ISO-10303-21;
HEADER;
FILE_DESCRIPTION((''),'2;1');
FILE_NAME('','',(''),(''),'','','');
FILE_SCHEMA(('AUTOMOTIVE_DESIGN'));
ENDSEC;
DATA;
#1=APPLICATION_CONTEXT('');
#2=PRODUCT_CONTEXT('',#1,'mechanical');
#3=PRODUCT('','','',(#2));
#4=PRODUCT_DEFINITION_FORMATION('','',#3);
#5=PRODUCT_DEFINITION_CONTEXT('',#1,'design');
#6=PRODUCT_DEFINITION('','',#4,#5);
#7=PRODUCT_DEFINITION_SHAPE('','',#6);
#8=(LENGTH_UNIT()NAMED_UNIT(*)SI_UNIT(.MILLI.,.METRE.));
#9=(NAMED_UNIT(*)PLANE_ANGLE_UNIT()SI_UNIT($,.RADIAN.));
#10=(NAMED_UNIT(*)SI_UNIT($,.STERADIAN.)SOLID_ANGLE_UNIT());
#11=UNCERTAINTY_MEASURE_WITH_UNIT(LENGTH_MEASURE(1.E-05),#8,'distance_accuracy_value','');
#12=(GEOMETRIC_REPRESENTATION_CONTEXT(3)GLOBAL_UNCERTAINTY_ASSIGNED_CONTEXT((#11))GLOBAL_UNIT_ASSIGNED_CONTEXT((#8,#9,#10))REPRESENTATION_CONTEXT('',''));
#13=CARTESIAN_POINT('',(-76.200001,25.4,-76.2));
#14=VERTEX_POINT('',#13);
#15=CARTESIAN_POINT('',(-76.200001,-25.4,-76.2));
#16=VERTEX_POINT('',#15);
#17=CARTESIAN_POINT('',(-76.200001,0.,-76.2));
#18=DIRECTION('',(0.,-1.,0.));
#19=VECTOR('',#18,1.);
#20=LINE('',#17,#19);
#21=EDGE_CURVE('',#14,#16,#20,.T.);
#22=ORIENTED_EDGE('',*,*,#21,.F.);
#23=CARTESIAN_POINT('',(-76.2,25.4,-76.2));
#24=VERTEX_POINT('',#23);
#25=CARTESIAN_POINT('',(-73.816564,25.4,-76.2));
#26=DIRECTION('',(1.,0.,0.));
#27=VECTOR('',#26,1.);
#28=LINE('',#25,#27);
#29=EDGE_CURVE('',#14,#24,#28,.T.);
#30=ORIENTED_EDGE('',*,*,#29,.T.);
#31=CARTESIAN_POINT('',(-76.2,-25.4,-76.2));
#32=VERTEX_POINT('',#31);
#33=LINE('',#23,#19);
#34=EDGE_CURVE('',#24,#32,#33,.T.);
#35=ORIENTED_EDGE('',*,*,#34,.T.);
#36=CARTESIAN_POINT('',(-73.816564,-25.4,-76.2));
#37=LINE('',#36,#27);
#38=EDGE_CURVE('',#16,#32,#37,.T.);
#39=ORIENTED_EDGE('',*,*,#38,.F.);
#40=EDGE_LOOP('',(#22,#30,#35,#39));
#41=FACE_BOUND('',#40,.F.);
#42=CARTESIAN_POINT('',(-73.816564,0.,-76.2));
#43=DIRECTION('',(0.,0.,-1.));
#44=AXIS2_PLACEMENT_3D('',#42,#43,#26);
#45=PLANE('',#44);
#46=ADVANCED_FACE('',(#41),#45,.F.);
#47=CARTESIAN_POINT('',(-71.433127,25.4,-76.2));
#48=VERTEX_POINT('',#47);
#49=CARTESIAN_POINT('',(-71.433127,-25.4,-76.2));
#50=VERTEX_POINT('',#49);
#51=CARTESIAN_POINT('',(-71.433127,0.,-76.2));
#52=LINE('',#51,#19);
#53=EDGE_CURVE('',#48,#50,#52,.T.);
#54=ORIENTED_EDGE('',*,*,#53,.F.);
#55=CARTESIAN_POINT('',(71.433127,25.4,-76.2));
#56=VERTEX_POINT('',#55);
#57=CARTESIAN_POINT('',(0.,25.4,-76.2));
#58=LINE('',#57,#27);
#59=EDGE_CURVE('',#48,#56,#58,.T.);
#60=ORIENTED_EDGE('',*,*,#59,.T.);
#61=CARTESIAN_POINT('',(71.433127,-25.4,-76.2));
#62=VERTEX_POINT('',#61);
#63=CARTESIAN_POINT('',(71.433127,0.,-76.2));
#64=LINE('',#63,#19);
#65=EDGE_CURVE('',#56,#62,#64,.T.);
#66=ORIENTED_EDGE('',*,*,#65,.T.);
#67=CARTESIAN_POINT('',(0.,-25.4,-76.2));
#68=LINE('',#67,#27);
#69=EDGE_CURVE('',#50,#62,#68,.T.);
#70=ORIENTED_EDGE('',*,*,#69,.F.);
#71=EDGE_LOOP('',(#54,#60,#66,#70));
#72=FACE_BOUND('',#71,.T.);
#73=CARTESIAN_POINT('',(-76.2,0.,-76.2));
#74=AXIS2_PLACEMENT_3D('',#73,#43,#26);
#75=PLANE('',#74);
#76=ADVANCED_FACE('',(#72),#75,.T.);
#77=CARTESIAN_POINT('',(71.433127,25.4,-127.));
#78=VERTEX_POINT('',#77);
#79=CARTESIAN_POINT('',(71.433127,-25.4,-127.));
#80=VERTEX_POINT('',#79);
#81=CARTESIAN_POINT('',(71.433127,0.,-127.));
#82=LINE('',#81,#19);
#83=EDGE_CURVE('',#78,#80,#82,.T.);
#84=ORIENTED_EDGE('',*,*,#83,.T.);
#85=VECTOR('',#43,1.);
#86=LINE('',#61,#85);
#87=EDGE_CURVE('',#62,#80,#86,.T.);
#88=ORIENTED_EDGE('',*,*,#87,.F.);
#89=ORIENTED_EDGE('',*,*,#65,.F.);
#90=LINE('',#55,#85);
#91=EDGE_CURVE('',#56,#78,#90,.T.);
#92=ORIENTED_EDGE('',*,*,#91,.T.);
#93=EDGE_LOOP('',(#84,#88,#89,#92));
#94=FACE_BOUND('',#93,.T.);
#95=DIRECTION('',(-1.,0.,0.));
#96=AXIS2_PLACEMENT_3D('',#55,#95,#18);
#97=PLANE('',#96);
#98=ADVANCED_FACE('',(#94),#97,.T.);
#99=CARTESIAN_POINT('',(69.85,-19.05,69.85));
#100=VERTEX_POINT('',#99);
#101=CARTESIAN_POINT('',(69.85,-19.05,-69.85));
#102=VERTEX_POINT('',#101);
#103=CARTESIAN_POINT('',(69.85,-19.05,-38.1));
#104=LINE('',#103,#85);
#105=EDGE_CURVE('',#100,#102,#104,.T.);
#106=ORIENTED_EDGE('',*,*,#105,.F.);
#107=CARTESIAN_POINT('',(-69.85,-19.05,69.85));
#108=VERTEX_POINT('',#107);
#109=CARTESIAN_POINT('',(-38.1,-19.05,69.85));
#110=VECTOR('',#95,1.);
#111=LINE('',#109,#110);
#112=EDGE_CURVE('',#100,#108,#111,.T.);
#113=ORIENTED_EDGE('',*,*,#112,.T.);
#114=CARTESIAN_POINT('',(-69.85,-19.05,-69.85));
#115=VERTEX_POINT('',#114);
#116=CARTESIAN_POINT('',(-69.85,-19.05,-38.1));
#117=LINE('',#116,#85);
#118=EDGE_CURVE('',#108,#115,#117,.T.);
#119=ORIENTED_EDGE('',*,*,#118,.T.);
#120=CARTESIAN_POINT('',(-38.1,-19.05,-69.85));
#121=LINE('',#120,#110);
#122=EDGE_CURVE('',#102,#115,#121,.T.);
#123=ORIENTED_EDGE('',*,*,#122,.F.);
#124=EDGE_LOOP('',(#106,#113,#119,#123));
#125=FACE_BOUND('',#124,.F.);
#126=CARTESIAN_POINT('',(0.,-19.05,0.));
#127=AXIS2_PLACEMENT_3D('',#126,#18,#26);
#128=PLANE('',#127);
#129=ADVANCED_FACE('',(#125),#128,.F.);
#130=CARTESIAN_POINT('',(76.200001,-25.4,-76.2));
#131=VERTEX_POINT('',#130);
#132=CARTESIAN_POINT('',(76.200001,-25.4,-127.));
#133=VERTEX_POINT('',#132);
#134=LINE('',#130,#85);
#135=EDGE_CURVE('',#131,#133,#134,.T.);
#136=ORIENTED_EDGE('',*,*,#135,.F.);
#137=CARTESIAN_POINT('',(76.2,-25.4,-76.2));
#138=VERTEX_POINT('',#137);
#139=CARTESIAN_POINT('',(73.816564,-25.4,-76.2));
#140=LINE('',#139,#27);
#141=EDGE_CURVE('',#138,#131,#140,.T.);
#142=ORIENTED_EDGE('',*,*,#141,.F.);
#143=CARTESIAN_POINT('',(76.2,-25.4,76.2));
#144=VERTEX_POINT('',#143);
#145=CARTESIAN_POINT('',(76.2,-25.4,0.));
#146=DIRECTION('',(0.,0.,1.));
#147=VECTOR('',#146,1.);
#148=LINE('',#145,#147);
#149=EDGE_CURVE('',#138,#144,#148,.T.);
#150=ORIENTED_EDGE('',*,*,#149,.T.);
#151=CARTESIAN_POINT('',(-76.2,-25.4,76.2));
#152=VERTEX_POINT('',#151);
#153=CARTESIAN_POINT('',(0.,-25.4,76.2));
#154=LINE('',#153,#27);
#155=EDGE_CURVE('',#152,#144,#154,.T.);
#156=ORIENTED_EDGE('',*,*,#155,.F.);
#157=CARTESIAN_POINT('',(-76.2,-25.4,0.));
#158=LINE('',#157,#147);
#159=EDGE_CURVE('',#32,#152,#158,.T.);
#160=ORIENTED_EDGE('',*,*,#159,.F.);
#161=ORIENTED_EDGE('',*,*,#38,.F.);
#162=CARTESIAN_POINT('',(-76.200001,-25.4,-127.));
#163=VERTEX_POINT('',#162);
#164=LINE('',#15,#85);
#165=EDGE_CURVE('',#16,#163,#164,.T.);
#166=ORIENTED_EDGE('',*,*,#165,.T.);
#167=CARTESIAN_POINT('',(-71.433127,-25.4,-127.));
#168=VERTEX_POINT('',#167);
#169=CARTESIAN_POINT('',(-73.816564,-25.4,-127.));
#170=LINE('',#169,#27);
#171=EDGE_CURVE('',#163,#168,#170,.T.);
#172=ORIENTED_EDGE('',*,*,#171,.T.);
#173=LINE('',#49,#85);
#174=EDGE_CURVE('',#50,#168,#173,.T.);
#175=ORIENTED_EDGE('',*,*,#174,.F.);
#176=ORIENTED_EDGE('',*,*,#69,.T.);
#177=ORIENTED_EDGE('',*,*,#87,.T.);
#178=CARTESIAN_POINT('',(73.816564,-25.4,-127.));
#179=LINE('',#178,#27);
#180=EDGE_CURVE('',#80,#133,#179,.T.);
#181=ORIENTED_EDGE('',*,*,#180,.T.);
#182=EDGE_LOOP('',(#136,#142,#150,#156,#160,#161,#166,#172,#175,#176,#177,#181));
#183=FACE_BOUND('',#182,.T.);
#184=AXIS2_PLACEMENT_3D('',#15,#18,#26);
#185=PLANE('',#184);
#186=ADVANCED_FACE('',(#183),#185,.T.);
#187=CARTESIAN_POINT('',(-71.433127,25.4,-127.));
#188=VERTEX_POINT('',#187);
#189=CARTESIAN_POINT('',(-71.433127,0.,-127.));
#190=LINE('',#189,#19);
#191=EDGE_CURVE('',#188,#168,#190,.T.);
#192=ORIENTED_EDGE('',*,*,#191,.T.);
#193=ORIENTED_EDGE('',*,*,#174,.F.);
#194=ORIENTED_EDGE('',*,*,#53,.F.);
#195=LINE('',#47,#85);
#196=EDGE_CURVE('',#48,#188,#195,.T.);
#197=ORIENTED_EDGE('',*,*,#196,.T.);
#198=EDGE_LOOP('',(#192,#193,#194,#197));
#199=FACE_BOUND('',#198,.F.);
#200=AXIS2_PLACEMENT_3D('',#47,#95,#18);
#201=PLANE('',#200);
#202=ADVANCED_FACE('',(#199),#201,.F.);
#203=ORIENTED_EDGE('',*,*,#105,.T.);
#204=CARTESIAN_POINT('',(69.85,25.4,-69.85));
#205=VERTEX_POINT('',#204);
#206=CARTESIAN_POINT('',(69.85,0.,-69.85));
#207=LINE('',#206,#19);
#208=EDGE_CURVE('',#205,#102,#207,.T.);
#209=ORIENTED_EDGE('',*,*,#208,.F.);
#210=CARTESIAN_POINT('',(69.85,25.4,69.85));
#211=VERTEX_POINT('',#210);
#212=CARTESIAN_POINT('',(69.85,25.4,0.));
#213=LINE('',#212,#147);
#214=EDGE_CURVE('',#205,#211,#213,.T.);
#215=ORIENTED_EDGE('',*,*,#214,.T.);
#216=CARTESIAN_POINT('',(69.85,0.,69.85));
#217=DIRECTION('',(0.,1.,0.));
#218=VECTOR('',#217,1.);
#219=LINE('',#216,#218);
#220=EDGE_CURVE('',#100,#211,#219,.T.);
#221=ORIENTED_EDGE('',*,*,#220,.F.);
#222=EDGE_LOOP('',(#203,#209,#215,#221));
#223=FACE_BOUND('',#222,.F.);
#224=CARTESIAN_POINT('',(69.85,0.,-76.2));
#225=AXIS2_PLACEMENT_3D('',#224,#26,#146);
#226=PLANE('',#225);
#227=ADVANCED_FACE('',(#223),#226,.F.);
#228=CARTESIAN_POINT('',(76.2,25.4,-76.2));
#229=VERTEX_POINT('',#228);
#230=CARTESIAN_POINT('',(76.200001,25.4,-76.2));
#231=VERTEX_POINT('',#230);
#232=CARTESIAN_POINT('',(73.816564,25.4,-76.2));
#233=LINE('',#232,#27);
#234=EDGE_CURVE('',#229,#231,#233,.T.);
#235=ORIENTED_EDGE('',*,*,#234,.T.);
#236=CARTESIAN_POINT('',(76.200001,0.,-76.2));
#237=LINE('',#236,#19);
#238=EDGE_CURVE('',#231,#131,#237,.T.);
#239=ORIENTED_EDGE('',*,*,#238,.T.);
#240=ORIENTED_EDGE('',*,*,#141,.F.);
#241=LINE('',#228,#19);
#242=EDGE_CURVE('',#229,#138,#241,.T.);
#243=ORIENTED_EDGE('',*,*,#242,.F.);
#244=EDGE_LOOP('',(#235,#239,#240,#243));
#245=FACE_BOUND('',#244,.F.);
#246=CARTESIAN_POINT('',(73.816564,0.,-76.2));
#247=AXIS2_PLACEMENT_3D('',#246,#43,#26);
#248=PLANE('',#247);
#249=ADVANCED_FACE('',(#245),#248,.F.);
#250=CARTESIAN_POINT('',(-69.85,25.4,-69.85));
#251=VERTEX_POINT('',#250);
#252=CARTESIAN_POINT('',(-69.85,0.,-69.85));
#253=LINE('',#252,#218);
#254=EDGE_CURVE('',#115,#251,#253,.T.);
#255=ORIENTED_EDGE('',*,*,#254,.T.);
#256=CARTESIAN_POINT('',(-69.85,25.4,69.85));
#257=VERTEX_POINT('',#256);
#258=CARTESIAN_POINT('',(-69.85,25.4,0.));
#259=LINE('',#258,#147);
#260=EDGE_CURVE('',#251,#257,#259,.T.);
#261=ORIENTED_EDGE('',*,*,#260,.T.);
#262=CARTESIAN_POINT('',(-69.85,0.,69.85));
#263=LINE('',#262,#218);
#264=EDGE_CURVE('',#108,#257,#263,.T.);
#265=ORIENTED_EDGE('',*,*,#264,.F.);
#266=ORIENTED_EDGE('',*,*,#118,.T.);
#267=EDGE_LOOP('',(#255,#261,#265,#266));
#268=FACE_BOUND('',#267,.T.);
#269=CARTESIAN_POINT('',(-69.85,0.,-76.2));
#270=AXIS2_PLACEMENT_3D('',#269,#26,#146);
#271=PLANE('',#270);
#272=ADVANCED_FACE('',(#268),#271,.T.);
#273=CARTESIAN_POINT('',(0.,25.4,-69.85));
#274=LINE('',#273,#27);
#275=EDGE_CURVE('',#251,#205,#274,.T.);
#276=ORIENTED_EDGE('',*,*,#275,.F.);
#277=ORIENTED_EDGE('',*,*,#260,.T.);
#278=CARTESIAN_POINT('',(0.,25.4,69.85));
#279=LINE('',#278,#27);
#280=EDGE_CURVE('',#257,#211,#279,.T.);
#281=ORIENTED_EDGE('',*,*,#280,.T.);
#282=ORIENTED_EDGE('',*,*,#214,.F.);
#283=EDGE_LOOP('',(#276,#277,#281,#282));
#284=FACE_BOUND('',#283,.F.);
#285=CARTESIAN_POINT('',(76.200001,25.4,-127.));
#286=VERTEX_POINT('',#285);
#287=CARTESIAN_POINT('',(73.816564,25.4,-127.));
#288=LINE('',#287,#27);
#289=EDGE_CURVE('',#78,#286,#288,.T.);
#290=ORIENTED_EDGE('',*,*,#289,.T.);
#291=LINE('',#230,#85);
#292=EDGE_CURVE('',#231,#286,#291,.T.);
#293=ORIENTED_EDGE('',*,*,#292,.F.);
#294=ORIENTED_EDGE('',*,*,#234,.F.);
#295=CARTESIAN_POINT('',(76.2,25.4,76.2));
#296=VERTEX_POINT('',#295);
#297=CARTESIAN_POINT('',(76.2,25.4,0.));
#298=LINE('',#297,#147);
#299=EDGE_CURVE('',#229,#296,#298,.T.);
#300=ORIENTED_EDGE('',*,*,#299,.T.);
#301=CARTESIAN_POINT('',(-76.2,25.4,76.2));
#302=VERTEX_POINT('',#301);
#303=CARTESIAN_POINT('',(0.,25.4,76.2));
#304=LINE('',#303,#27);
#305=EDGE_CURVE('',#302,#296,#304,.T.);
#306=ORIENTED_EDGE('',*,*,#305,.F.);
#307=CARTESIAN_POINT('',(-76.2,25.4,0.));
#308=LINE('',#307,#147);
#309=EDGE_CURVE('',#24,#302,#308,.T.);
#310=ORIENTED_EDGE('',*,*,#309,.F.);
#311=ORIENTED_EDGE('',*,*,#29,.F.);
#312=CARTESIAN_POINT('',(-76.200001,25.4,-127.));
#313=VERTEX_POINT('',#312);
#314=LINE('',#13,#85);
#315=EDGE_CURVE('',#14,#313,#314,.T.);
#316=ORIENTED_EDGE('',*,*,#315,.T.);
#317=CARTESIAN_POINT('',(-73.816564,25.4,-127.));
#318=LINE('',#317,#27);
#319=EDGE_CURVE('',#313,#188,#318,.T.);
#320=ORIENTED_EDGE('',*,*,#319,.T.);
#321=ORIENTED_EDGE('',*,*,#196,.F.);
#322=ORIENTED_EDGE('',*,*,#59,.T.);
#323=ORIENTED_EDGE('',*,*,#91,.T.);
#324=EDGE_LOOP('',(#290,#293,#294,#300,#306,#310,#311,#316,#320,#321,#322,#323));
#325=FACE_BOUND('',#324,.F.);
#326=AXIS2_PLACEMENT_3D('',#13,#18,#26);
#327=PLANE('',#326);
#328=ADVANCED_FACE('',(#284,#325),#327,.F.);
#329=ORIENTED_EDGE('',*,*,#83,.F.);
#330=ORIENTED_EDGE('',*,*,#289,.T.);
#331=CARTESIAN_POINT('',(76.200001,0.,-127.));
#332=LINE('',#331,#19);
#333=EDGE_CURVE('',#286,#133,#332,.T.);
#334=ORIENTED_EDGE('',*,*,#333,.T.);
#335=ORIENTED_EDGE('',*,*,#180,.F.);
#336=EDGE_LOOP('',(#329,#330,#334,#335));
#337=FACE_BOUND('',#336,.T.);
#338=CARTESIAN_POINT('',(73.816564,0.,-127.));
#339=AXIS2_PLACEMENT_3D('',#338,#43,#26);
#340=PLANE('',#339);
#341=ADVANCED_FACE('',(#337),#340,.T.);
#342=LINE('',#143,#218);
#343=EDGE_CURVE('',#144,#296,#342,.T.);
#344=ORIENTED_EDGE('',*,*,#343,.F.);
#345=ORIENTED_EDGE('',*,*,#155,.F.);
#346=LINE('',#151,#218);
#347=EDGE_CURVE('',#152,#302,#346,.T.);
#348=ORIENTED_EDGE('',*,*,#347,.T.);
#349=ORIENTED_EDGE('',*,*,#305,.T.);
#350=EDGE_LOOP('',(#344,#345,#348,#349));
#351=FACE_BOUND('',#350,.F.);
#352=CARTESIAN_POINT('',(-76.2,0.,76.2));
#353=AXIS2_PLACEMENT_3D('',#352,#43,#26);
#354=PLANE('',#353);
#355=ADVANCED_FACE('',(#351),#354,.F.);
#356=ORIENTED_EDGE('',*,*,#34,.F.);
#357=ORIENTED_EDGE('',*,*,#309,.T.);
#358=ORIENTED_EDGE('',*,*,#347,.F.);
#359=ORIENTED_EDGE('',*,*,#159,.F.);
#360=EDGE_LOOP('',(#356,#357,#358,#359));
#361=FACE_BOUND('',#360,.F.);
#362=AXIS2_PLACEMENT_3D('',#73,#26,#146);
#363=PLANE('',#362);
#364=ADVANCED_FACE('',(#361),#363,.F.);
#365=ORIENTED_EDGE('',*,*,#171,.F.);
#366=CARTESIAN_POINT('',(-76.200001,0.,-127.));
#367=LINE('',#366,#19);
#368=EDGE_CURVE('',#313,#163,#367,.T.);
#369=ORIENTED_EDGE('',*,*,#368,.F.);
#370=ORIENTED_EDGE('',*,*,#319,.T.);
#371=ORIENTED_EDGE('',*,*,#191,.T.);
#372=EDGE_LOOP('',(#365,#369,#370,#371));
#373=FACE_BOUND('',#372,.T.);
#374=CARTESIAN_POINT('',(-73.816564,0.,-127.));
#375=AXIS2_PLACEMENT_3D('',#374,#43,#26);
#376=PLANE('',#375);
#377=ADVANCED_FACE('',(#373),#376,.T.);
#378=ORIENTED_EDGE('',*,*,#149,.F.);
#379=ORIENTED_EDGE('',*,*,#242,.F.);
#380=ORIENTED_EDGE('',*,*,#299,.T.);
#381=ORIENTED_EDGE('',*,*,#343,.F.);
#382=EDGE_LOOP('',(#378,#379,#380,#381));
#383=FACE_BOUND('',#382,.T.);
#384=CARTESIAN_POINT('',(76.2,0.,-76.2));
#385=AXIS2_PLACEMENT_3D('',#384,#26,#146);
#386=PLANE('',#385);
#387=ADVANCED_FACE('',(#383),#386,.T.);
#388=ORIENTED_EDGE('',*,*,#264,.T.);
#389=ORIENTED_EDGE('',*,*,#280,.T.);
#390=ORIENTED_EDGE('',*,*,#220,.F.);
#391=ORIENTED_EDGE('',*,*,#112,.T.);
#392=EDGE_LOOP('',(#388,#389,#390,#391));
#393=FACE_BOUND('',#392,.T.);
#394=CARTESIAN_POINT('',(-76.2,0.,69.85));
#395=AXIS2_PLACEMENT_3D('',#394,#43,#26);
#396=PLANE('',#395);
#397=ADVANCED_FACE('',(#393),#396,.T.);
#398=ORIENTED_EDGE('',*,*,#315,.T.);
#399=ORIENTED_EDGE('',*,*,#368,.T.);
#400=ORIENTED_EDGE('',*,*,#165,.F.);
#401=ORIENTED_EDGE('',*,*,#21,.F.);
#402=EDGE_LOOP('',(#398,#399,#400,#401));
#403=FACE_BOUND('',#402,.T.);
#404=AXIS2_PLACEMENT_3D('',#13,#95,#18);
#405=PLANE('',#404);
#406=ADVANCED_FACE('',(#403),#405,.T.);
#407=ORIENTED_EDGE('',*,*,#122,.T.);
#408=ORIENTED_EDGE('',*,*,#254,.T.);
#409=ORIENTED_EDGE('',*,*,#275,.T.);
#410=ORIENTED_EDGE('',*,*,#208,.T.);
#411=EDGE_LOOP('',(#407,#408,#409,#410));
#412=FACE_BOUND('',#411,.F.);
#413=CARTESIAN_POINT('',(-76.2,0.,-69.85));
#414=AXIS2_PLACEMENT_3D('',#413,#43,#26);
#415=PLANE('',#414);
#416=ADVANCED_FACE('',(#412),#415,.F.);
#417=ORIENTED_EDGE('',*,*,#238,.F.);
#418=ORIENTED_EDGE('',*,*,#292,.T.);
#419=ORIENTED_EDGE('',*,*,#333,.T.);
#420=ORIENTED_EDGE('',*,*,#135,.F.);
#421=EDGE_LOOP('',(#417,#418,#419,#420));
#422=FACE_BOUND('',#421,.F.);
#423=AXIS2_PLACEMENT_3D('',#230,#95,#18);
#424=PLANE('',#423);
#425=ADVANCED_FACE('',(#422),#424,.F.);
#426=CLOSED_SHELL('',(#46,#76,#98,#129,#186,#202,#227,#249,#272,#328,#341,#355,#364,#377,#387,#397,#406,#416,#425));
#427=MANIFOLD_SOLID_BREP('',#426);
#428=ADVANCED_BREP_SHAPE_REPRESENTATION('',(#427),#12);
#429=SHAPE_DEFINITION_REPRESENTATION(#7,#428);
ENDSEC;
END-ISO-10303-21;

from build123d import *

# Parameters (mm, degrees)
F0_W     = 152.4
F0_H     = 152.4
F1_DEPTH = 25.4
F2_T     = -6.35
F3_W     = 4.766873
F3_H     = 50.8
F4_DEPTH = 50.8


with BuildPart() as f1:
    # F0 (on Front) → F1 (new body, symmetric)
    with BuildSketch(Plane.XZ):
        Rectangle(F0_W, F0_H)
    extrude(amount=F1_DEPTH, both=True)

    # F2
    f2_openings = [f1.faces().sort_by_distance(p)[0] for p in [
        (0, 25.4, 0),
    ]]
    offset(amount=F2_T, openings=f2_openings)

    # F3 (on face) → F4 (join)
    with BuildSketch(Plane(origin=(0, 0, -76.2), x_dir=(1, 0, 0), z_dir=(0, 0, -1))):
        with Locations((-73.816564, 0)):
            Rectangle(F3_W, F3_H)
        with Locations((73.816564, 0)):
            Rectangle(F3_W, F3_H)
    extrude(amount=F4_DEPTH)


solid = f1.part
